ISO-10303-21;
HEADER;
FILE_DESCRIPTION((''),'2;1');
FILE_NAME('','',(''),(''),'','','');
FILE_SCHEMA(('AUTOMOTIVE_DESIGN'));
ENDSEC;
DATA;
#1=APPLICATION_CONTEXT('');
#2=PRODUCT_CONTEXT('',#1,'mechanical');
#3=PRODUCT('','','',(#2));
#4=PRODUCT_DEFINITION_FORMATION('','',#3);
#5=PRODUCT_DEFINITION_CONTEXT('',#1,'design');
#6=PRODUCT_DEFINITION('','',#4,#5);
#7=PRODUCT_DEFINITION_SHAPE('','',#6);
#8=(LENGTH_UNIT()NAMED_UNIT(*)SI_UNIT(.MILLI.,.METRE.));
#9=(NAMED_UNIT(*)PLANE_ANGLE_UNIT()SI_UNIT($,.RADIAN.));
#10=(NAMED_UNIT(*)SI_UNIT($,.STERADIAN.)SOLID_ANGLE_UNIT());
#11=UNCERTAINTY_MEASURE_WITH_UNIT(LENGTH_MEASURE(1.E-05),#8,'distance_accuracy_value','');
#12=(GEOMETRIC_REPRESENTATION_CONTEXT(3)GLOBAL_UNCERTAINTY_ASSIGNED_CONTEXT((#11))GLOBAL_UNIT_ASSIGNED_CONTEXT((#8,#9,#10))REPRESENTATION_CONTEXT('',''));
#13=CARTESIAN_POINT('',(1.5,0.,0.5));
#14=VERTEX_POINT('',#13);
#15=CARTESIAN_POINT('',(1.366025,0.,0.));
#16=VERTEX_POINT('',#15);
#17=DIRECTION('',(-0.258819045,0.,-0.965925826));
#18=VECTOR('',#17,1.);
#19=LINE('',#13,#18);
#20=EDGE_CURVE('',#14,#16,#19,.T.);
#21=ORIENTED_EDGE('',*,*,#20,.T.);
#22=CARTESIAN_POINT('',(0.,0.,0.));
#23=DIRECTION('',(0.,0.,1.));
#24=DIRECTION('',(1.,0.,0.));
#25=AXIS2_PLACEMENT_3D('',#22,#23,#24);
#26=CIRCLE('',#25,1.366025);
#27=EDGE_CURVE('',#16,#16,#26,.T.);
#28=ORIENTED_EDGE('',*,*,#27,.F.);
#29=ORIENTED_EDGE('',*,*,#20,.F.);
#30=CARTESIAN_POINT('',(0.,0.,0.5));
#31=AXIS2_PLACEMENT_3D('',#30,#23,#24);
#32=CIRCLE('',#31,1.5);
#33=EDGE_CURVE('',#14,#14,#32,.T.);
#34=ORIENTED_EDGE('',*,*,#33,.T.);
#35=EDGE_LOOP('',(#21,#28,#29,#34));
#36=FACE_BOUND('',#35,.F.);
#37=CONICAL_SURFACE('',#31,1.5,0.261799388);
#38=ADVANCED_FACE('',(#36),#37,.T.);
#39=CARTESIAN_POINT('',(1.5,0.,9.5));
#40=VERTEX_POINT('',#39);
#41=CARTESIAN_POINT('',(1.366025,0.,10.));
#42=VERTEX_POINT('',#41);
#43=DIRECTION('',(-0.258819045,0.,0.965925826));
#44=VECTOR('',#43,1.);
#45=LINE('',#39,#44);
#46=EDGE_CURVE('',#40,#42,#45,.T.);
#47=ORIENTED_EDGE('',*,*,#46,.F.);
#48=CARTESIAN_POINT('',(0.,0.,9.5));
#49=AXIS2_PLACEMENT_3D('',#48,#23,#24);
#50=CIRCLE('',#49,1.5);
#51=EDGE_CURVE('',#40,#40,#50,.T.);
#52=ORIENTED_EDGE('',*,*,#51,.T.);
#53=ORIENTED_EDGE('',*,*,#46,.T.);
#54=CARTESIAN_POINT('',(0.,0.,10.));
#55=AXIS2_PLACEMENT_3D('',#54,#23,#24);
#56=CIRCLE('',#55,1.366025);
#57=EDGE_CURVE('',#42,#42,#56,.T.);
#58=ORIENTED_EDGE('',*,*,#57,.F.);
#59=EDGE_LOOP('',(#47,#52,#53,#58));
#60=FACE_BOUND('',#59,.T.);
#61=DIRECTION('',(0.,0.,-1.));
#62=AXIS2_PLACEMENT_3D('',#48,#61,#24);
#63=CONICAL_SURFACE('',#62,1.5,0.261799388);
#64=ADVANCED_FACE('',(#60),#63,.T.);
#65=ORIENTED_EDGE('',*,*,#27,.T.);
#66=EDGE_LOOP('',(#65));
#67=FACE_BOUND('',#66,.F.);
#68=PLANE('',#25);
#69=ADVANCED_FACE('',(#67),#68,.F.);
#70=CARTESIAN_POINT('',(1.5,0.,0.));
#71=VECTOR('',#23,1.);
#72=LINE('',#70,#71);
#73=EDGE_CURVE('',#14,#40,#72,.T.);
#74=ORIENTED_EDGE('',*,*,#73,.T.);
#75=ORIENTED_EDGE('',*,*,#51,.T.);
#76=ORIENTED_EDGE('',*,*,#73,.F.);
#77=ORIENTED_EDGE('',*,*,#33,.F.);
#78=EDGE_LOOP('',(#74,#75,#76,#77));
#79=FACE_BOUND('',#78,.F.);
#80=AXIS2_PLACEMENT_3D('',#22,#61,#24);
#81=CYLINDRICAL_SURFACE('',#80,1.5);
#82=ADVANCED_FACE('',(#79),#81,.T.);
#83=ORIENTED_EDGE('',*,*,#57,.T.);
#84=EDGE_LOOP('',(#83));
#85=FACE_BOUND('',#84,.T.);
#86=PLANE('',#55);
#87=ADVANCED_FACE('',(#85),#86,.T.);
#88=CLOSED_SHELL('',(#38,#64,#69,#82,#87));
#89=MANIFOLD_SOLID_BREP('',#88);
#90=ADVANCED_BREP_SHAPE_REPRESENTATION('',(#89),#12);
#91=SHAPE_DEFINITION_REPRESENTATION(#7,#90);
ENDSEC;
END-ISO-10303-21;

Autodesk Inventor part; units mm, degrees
ref_plane "YZ Plane" through (0, 0, 0) normal (1, 0, 0) x (0, 1, 0)
ref_plane "XZ Plane" through (0, 0, 0) normal (0, 1, 0) x (-1, 0, 0)
ref_plane "XY Plane" through (0, 0, 0) normal (0, 0, 1) x (1, 0, 0)
sketch "スケッチ1" plane through (0, 0, 0) normal (0, 0, 1) x (1, 0, 0)
  circle A0 centre (0, 0) radius 1.5
  dimension "d0" = 3
extrude "押し出し1" add sketch "スケッチ1" along normal blind 10
chamfer "面取り1" distance 0.5 angle 15 2 edges at (-1.5, 0, 0) (-1.5, 0, 10) measured on face at (1.4806, -0.2406, 6.6667)
properties part number "平行ピンD3L10" material "ステンレス鋼"
